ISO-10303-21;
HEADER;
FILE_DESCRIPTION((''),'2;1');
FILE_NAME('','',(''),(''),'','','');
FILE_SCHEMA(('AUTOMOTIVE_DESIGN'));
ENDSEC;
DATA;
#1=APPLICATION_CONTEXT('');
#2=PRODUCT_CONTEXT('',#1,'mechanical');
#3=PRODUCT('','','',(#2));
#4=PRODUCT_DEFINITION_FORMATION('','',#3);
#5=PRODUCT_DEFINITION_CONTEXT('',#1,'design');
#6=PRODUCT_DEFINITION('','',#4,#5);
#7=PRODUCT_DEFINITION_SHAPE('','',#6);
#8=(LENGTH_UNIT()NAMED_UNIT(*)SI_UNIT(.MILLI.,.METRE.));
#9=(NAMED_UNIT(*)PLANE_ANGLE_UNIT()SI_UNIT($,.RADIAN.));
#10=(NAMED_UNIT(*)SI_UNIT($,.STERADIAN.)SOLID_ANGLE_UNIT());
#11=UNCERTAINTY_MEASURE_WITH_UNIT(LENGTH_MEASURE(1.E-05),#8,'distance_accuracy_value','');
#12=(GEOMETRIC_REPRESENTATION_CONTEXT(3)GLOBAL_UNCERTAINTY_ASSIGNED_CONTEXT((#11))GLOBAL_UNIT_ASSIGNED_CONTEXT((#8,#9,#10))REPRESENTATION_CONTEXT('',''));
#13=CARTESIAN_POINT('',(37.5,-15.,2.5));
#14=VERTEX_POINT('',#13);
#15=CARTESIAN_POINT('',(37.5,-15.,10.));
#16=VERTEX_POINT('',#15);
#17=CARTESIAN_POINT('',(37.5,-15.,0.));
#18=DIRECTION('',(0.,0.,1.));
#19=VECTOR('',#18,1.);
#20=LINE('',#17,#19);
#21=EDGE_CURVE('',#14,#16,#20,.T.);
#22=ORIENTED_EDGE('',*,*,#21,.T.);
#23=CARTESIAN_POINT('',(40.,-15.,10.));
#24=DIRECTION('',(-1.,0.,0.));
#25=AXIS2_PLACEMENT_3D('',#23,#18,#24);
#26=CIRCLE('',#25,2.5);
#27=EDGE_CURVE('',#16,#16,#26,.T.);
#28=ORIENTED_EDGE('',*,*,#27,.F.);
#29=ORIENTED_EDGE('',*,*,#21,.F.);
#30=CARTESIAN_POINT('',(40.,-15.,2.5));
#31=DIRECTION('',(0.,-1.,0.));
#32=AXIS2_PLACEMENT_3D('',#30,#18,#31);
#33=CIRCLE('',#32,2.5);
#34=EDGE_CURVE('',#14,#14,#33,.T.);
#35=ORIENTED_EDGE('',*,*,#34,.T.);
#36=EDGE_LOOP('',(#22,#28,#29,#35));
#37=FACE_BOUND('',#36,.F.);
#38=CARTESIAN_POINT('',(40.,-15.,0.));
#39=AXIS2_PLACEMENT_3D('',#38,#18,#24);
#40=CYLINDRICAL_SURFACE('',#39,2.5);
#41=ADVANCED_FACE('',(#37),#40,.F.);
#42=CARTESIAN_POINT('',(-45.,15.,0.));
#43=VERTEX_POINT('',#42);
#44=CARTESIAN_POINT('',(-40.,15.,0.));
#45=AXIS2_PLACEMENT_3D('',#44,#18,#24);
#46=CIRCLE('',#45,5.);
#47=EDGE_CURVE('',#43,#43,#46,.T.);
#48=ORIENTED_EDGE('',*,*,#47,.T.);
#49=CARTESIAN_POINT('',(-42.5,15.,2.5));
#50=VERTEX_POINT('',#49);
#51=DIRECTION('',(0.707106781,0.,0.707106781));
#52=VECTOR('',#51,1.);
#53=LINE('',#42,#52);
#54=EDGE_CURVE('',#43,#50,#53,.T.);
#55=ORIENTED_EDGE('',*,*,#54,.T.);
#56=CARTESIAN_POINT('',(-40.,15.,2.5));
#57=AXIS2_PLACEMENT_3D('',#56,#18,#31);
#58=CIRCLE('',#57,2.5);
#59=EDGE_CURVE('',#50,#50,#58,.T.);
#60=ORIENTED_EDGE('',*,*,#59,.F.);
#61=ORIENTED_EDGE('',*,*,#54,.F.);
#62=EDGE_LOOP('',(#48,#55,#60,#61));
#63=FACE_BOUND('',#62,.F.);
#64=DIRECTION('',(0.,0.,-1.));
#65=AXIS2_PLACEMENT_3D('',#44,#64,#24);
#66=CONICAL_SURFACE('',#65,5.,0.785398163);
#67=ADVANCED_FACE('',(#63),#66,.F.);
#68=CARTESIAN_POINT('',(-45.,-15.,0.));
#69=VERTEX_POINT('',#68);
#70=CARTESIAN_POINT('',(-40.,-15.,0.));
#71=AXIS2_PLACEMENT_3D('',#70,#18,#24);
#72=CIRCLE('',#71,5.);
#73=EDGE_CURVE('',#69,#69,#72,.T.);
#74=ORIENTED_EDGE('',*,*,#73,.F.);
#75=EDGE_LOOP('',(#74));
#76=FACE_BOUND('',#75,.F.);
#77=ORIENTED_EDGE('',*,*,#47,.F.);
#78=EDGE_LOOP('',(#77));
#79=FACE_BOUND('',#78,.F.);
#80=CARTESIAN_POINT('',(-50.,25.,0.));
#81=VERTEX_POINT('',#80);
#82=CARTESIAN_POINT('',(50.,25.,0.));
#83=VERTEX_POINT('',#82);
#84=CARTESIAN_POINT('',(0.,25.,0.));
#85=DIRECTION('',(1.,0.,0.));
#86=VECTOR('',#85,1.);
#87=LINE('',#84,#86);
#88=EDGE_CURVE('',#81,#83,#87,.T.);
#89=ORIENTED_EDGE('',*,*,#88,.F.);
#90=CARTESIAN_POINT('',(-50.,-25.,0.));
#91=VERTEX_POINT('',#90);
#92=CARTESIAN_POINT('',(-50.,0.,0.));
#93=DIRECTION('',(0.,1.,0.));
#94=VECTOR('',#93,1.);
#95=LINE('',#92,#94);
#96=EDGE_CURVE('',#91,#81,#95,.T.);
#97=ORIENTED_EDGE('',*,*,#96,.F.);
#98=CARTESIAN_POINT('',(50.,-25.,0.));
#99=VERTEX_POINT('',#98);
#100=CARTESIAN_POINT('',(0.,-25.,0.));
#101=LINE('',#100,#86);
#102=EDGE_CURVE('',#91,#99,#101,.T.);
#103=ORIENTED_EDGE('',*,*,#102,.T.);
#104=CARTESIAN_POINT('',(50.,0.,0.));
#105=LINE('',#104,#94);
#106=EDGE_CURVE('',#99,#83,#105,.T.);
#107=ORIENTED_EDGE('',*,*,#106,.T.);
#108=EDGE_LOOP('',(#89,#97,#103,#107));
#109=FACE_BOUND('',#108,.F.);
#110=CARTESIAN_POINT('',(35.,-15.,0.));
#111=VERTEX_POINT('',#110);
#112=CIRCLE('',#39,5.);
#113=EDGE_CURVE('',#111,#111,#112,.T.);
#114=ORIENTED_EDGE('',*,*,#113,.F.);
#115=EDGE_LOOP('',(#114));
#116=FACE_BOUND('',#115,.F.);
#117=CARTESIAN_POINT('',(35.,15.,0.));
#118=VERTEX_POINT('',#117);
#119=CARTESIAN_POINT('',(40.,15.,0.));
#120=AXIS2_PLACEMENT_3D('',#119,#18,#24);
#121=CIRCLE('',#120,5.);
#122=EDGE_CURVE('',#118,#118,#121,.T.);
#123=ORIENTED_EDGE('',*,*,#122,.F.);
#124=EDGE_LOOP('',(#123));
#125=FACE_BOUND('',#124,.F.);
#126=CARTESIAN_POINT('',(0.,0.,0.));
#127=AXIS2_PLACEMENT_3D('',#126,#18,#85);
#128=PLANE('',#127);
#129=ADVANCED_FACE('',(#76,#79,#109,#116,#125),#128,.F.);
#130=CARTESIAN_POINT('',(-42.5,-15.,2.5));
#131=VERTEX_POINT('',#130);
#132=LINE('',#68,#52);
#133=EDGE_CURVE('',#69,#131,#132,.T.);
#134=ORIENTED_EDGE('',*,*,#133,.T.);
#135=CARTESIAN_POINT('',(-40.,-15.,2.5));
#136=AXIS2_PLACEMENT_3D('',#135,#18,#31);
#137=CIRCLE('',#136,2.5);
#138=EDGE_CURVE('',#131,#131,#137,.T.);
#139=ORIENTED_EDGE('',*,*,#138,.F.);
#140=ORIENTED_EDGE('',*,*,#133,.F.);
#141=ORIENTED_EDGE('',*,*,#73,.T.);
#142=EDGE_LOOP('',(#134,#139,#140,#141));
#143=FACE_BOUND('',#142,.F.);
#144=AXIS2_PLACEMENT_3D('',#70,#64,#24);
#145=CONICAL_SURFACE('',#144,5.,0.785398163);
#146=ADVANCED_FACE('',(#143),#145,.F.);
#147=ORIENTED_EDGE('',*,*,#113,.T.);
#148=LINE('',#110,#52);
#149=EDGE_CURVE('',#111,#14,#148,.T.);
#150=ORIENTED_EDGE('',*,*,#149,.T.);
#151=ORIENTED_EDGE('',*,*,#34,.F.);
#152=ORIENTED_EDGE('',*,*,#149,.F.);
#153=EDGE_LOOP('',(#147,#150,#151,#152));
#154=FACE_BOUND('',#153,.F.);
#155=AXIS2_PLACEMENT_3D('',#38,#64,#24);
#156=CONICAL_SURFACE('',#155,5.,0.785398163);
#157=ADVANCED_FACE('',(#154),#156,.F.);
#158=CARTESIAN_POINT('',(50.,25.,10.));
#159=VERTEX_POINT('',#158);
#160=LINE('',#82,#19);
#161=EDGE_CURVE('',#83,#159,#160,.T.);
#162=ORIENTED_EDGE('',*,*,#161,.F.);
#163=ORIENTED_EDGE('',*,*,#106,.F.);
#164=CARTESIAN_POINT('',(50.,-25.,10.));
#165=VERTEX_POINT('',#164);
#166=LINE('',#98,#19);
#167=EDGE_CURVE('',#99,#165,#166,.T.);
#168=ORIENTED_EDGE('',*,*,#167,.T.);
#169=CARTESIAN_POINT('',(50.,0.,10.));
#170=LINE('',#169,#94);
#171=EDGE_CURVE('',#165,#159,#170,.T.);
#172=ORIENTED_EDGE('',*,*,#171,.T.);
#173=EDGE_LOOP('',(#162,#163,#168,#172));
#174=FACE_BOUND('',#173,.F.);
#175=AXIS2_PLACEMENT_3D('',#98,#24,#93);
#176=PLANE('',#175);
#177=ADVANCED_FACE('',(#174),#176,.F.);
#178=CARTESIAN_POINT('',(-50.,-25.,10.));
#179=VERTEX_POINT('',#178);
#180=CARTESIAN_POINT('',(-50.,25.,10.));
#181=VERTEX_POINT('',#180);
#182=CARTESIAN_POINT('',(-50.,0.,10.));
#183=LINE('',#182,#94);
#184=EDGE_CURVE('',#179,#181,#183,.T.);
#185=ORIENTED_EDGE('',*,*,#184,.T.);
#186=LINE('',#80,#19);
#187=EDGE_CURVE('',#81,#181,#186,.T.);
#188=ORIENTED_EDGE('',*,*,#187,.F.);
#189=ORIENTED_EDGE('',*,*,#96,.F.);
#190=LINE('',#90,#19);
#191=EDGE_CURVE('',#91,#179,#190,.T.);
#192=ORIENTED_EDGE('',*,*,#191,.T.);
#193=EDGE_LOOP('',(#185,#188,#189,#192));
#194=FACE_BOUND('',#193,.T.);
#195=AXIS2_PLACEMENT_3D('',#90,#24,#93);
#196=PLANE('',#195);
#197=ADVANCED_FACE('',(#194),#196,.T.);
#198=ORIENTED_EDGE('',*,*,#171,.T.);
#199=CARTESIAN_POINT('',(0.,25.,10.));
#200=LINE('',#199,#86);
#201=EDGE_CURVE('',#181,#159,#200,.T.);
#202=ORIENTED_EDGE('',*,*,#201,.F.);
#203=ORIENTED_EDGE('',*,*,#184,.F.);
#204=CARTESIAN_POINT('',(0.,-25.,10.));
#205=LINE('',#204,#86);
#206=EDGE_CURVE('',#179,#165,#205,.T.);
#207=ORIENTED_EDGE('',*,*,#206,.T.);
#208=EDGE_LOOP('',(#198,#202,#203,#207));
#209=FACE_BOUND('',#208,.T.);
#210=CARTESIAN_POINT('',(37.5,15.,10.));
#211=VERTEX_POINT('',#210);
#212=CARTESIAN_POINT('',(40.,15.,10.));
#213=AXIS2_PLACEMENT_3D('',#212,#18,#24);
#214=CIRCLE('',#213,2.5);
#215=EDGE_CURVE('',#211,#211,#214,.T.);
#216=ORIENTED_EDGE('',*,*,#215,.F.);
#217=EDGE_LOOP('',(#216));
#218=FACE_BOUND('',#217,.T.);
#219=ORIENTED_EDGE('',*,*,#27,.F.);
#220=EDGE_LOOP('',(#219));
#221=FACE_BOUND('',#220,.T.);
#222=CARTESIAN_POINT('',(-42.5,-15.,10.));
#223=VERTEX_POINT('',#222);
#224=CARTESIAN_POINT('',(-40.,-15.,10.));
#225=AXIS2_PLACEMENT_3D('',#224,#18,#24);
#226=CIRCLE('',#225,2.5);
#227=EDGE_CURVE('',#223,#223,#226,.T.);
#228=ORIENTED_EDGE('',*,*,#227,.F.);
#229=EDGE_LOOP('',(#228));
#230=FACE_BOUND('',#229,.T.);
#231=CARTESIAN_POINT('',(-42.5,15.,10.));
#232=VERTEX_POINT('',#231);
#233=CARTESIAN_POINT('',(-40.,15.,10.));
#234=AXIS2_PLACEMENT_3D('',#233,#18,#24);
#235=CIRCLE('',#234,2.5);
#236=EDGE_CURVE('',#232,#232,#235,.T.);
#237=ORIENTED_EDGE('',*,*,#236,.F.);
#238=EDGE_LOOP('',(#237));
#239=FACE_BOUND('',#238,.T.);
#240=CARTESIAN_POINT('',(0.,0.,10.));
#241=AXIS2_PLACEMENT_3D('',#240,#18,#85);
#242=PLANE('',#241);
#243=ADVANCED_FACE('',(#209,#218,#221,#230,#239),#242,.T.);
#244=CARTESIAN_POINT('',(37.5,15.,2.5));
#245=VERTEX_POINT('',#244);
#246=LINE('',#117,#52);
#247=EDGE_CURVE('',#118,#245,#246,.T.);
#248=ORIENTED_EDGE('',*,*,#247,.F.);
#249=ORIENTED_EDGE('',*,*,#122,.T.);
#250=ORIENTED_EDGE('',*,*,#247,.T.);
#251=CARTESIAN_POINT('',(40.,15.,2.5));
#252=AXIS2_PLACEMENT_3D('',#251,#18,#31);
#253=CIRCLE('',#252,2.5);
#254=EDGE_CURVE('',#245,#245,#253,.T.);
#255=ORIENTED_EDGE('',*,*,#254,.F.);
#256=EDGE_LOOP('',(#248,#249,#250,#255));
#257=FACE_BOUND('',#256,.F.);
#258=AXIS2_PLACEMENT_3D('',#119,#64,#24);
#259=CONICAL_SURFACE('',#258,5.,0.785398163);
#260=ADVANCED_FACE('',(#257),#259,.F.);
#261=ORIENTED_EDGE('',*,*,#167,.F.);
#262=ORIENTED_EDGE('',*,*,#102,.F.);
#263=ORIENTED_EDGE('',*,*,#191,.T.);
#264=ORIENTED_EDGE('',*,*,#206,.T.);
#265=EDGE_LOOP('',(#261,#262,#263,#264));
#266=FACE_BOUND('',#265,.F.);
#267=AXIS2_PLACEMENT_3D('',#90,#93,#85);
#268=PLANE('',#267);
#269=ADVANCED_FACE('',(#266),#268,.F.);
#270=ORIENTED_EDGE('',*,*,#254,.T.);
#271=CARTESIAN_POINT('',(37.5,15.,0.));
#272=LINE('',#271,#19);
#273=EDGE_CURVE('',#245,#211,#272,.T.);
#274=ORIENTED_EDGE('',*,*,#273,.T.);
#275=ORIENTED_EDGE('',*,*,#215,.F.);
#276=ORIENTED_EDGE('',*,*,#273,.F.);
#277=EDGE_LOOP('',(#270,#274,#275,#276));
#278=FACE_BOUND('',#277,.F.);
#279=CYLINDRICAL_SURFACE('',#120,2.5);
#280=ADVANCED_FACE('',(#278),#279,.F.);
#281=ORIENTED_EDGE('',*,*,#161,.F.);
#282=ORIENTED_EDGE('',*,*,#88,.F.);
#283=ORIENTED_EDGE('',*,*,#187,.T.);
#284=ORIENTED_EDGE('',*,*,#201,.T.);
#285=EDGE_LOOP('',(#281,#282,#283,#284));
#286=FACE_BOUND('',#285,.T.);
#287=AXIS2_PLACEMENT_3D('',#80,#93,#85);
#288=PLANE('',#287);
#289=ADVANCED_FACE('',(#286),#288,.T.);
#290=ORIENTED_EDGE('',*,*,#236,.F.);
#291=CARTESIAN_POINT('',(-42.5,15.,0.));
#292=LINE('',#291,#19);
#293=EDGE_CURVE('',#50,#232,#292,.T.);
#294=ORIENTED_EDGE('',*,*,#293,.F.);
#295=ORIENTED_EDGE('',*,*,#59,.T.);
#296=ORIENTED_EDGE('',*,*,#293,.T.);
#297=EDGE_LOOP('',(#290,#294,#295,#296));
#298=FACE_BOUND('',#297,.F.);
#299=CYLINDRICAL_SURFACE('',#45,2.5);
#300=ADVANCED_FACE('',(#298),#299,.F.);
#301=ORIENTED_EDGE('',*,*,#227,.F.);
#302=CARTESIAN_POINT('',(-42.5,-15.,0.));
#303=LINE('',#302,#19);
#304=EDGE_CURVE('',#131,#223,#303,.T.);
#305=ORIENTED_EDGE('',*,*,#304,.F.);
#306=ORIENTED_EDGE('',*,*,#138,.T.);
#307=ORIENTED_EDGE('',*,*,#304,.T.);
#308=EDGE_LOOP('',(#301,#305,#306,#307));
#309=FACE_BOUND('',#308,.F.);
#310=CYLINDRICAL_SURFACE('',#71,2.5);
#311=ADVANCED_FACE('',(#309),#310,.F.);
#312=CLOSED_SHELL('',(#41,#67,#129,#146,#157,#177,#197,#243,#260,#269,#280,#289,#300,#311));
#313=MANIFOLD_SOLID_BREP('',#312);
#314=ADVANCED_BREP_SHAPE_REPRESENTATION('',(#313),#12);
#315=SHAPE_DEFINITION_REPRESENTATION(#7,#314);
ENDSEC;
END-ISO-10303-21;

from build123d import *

# Parameters (mm, degrees)
F0_W           = 100
F0_H           = 50
F1_DEPTH       = 10
F2_D           = 5
F2_CSINK_D     = 10
F2_CSINK_ANGLE = 90


with BuildPart() as f1:
    # F0 (on Top) → F1 (new body)
    with BuildSketch(Plane.XY):
        Rectangle(F0_W, F0_H)
    extrude(amount=F1_DEPTH)

    # F2 (through all)
    with Locations(Plane(origin=(0, 0, 0), x_dir=(1, 0, 0), z_dir=(0, 0, -1))):
        with Locations((-40, -15), (40, 15), (-40, 15), (40, -15)):
            CounterSinkHole(F2_D / 2, F2_CSINK_D / 2, counter_sink_angle=F2_CSINK_ANGLE)


solid = f1.part
